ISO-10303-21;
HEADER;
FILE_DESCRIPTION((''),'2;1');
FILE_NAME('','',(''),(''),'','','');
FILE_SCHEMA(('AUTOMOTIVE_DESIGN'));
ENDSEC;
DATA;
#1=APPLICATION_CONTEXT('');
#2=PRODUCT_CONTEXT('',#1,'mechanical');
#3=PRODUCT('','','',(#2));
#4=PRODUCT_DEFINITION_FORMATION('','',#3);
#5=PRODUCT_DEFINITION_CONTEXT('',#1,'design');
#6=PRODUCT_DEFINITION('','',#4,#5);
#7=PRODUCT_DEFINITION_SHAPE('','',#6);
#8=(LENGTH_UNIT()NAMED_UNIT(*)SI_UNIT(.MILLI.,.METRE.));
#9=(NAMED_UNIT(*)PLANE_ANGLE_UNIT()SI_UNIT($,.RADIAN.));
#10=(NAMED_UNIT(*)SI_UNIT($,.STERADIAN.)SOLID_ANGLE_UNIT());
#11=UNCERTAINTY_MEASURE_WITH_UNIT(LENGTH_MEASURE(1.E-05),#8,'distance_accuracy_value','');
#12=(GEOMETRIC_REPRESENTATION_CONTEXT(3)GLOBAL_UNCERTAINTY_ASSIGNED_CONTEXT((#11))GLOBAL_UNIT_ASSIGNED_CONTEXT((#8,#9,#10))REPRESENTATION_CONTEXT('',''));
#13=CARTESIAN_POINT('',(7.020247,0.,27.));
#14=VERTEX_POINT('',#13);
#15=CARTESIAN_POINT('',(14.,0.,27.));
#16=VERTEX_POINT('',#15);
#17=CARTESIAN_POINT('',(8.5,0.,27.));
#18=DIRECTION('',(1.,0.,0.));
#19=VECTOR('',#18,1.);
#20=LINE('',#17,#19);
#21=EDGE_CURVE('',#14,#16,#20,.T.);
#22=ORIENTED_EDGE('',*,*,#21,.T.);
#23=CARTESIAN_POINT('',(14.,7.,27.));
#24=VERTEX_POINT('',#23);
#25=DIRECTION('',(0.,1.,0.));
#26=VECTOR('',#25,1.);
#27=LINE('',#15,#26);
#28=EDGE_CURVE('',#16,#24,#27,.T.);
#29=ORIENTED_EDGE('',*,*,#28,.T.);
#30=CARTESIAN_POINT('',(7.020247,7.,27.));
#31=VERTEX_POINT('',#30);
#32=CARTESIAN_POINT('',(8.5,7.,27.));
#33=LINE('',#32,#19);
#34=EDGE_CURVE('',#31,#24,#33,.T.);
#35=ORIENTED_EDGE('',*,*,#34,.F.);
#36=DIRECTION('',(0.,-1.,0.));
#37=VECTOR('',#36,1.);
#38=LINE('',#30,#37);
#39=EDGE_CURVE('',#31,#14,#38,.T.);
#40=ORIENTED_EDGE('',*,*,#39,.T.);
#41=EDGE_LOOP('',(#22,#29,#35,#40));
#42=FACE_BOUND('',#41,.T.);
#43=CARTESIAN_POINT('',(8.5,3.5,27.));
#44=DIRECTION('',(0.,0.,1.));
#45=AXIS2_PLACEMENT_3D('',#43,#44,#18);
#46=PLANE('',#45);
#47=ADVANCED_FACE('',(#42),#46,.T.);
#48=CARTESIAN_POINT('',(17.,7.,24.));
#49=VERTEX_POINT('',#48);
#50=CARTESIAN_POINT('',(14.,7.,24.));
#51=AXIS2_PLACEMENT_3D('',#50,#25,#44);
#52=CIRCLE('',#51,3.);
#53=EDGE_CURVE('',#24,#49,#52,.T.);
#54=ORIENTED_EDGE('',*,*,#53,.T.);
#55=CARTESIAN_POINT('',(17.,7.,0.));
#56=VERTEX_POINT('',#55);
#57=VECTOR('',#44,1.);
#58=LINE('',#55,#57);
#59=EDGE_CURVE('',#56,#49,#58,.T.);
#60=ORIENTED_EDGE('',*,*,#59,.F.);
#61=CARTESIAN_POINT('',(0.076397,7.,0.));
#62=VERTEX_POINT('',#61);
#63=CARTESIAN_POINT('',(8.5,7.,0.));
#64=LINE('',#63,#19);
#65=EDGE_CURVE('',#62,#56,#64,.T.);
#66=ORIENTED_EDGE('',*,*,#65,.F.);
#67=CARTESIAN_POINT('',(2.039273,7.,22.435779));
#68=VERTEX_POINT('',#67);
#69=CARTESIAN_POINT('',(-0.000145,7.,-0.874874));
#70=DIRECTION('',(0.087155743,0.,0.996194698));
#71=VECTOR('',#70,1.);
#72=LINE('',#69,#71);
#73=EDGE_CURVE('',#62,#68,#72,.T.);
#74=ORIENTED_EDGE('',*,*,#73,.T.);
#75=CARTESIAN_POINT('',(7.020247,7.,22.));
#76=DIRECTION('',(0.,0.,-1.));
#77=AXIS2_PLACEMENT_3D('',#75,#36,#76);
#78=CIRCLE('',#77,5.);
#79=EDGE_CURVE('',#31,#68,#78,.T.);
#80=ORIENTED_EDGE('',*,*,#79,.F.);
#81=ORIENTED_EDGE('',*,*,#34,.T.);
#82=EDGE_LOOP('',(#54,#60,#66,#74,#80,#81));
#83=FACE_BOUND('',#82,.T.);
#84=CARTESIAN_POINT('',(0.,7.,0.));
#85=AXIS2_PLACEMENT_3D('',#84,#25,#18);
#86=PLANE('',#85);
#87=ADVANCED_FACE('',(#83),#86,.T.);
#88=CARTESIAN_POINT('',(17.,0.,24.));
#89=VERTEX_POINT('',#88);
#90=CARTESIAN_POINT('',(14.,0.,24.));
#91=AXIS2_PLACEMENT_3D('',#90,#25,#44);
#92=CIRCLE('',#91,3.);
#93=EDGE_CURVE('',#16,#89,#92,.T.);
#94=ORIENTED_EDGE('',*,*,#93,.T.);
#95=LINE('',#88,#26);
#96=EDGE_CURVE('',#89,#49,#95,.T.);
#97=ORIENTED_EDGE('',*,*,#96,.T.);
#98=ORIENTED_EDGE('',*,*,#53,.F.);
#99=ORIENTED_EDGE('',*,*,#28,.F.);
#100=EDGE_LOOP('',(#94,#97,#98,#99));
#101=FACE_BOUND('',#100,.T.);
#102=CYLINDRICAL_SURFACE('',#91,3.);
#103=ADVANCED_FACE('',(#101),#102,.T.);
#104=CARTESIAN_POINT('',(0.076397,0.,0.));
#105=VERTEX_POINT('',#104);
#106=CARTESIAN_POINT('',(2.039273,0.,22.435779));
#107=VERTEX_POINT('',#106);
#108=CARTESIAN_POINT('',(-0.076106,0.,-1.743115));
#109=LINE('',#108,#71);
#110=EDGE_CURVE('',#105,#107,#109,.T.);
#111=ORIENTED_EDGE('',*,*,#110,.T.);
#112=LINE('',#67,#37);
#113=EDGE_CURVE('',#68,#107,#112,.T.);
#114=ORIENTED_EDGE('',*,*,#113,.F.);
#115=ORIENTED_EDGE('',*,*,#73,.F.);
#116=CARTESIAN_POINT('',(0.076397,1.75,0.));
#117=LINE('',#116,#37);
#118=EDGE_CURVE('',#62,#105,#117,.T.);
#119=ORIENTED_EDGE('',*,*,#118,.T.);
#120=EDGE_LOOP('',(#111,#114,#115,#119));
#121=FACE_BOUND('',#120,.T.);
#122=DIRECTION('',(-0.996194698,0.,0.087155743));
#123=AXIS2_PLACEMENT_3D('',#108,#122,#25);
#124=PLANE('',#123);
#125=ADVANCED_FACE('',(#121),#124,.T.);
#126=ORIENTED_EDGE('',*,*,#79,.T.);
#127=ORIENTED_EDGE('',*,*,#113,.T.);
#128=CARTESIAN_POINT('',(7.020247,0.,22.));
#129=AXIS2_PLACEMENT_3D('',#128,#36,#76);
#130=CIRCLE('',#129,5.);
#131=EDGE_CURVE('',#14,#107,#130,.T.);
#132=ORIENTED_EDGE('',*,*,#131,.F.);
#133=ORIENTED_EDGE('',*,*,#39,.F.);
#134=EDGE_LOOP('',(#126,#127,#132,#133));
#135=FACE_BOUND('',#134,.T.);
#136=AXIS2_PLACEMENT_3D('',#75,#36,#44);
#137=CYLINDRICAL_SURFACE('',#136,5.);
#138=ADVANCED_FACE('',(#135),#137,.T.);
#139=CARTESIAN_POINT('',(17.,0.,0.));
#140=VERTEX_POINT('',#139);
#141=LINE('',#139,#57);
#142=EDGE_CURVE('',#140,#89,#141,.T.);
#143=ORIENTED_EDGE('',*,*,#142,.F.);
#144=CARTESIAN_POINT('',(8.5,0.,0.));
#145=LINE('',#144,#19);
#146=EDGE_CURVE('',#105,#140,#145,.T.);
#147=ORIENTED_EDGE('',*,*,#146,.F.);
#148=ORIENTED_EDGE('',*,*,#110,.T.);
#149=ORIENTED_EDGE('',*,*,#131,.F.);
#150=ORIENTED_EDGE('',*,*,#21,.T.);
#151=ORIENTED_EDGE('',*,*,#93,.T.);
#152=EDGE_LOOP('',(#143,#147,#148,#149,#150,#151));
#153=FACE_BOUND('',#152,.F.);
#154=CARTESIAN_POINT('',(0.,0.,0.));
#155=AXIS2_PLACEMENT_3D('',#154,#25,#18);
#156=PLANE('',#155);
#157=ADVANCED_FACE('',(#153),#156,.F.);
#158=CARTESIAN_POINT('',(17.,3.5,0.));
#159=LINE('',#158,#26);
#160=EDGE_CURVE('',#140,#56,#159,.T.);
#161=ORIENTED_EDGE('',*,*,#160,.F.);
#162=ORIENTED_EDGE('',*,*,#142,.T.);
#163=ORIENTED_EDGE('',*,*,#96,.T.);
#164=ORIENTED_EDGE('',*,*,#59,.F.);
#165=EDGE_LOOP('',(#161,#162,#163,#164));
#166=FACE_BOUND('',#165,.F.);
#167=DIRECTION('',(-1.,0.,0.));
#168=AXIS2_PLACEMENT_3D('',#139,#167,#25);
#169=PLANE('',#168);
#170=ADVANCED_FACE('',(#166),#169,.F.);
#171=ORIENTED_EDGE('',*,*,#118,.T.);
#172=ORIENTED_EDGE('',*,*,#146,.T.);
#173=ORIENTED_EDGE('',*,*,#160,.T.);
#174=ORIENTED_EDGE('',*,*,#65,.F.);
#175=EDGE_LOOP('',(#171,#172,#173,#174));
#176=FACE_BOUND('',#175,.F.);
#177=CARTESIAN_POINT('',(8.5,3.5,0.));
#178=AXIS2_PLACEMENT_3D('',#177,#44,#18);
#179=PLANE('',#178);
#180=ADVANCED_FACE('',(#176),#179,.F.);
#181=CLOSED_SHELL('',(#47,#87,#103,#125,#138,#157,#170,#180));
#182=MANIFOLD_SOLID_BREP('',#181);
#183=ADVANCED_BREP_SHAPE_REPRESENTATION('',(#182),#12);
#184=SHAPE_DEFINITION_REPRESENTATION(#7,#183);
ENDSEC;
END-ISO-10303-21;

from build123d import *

# Parameters (mm, degrees)
BOX_W               = 20
BOX_H               = 20
BOX_DEPTH           = 40
BOX_PLACEMENT_ANGLE = 5
BOX001_W            = 17
BOX001_H            = 7
BOX001_DEPTH        = 27
FILLET_R            = 5
FILLET001_R         = 3


with BuildPart() as cube:
    # Box → Box (new body)
    with BuildSketch(Plane.XY):
        with Locations((10, 10)):
            Rectangle(BOX_W, BOX_H)
    extrude(amount=BOX_DEPTH)


with BuildPart() as cube_1:
    # Box placement: moved
    add(cube.part.moved(Location((-20, 0, 0))).rotate(Axis((-20, 0, 0), (0, 1, 0)), BOX_PLACEMENT_ANGLE))


with BuildPart() as fillet001:
    # Box001 → Box001 (new body)
    with BuildSketch(Plane.XY):
        with Locations((8.5, 3.5)):
            Rectangle(BOX001_W, BOX001_H)
    extrude(amount=BOX001_DEPTH)

    # Cut: cut Cube
    add(cube_1.part, mode=Mode.SUBTRACT)

    # Fillet
    fillet_edges = [fillet001.edges().sort_by_distance(p)[0] for p in [
        (2.438591, 3.5, 27),
    ]]
    fillet(fillet_edges, radius=FILLET_R)

    # Fillet001
    fillet001_edges = [fillet001.edges().sort_by_distance(p)[0] for p in [
        (17, 3.5, 27),
    ]]
    fillet(fillet001_edges, radius=FILLET001_R)


solid = fillet001.part
